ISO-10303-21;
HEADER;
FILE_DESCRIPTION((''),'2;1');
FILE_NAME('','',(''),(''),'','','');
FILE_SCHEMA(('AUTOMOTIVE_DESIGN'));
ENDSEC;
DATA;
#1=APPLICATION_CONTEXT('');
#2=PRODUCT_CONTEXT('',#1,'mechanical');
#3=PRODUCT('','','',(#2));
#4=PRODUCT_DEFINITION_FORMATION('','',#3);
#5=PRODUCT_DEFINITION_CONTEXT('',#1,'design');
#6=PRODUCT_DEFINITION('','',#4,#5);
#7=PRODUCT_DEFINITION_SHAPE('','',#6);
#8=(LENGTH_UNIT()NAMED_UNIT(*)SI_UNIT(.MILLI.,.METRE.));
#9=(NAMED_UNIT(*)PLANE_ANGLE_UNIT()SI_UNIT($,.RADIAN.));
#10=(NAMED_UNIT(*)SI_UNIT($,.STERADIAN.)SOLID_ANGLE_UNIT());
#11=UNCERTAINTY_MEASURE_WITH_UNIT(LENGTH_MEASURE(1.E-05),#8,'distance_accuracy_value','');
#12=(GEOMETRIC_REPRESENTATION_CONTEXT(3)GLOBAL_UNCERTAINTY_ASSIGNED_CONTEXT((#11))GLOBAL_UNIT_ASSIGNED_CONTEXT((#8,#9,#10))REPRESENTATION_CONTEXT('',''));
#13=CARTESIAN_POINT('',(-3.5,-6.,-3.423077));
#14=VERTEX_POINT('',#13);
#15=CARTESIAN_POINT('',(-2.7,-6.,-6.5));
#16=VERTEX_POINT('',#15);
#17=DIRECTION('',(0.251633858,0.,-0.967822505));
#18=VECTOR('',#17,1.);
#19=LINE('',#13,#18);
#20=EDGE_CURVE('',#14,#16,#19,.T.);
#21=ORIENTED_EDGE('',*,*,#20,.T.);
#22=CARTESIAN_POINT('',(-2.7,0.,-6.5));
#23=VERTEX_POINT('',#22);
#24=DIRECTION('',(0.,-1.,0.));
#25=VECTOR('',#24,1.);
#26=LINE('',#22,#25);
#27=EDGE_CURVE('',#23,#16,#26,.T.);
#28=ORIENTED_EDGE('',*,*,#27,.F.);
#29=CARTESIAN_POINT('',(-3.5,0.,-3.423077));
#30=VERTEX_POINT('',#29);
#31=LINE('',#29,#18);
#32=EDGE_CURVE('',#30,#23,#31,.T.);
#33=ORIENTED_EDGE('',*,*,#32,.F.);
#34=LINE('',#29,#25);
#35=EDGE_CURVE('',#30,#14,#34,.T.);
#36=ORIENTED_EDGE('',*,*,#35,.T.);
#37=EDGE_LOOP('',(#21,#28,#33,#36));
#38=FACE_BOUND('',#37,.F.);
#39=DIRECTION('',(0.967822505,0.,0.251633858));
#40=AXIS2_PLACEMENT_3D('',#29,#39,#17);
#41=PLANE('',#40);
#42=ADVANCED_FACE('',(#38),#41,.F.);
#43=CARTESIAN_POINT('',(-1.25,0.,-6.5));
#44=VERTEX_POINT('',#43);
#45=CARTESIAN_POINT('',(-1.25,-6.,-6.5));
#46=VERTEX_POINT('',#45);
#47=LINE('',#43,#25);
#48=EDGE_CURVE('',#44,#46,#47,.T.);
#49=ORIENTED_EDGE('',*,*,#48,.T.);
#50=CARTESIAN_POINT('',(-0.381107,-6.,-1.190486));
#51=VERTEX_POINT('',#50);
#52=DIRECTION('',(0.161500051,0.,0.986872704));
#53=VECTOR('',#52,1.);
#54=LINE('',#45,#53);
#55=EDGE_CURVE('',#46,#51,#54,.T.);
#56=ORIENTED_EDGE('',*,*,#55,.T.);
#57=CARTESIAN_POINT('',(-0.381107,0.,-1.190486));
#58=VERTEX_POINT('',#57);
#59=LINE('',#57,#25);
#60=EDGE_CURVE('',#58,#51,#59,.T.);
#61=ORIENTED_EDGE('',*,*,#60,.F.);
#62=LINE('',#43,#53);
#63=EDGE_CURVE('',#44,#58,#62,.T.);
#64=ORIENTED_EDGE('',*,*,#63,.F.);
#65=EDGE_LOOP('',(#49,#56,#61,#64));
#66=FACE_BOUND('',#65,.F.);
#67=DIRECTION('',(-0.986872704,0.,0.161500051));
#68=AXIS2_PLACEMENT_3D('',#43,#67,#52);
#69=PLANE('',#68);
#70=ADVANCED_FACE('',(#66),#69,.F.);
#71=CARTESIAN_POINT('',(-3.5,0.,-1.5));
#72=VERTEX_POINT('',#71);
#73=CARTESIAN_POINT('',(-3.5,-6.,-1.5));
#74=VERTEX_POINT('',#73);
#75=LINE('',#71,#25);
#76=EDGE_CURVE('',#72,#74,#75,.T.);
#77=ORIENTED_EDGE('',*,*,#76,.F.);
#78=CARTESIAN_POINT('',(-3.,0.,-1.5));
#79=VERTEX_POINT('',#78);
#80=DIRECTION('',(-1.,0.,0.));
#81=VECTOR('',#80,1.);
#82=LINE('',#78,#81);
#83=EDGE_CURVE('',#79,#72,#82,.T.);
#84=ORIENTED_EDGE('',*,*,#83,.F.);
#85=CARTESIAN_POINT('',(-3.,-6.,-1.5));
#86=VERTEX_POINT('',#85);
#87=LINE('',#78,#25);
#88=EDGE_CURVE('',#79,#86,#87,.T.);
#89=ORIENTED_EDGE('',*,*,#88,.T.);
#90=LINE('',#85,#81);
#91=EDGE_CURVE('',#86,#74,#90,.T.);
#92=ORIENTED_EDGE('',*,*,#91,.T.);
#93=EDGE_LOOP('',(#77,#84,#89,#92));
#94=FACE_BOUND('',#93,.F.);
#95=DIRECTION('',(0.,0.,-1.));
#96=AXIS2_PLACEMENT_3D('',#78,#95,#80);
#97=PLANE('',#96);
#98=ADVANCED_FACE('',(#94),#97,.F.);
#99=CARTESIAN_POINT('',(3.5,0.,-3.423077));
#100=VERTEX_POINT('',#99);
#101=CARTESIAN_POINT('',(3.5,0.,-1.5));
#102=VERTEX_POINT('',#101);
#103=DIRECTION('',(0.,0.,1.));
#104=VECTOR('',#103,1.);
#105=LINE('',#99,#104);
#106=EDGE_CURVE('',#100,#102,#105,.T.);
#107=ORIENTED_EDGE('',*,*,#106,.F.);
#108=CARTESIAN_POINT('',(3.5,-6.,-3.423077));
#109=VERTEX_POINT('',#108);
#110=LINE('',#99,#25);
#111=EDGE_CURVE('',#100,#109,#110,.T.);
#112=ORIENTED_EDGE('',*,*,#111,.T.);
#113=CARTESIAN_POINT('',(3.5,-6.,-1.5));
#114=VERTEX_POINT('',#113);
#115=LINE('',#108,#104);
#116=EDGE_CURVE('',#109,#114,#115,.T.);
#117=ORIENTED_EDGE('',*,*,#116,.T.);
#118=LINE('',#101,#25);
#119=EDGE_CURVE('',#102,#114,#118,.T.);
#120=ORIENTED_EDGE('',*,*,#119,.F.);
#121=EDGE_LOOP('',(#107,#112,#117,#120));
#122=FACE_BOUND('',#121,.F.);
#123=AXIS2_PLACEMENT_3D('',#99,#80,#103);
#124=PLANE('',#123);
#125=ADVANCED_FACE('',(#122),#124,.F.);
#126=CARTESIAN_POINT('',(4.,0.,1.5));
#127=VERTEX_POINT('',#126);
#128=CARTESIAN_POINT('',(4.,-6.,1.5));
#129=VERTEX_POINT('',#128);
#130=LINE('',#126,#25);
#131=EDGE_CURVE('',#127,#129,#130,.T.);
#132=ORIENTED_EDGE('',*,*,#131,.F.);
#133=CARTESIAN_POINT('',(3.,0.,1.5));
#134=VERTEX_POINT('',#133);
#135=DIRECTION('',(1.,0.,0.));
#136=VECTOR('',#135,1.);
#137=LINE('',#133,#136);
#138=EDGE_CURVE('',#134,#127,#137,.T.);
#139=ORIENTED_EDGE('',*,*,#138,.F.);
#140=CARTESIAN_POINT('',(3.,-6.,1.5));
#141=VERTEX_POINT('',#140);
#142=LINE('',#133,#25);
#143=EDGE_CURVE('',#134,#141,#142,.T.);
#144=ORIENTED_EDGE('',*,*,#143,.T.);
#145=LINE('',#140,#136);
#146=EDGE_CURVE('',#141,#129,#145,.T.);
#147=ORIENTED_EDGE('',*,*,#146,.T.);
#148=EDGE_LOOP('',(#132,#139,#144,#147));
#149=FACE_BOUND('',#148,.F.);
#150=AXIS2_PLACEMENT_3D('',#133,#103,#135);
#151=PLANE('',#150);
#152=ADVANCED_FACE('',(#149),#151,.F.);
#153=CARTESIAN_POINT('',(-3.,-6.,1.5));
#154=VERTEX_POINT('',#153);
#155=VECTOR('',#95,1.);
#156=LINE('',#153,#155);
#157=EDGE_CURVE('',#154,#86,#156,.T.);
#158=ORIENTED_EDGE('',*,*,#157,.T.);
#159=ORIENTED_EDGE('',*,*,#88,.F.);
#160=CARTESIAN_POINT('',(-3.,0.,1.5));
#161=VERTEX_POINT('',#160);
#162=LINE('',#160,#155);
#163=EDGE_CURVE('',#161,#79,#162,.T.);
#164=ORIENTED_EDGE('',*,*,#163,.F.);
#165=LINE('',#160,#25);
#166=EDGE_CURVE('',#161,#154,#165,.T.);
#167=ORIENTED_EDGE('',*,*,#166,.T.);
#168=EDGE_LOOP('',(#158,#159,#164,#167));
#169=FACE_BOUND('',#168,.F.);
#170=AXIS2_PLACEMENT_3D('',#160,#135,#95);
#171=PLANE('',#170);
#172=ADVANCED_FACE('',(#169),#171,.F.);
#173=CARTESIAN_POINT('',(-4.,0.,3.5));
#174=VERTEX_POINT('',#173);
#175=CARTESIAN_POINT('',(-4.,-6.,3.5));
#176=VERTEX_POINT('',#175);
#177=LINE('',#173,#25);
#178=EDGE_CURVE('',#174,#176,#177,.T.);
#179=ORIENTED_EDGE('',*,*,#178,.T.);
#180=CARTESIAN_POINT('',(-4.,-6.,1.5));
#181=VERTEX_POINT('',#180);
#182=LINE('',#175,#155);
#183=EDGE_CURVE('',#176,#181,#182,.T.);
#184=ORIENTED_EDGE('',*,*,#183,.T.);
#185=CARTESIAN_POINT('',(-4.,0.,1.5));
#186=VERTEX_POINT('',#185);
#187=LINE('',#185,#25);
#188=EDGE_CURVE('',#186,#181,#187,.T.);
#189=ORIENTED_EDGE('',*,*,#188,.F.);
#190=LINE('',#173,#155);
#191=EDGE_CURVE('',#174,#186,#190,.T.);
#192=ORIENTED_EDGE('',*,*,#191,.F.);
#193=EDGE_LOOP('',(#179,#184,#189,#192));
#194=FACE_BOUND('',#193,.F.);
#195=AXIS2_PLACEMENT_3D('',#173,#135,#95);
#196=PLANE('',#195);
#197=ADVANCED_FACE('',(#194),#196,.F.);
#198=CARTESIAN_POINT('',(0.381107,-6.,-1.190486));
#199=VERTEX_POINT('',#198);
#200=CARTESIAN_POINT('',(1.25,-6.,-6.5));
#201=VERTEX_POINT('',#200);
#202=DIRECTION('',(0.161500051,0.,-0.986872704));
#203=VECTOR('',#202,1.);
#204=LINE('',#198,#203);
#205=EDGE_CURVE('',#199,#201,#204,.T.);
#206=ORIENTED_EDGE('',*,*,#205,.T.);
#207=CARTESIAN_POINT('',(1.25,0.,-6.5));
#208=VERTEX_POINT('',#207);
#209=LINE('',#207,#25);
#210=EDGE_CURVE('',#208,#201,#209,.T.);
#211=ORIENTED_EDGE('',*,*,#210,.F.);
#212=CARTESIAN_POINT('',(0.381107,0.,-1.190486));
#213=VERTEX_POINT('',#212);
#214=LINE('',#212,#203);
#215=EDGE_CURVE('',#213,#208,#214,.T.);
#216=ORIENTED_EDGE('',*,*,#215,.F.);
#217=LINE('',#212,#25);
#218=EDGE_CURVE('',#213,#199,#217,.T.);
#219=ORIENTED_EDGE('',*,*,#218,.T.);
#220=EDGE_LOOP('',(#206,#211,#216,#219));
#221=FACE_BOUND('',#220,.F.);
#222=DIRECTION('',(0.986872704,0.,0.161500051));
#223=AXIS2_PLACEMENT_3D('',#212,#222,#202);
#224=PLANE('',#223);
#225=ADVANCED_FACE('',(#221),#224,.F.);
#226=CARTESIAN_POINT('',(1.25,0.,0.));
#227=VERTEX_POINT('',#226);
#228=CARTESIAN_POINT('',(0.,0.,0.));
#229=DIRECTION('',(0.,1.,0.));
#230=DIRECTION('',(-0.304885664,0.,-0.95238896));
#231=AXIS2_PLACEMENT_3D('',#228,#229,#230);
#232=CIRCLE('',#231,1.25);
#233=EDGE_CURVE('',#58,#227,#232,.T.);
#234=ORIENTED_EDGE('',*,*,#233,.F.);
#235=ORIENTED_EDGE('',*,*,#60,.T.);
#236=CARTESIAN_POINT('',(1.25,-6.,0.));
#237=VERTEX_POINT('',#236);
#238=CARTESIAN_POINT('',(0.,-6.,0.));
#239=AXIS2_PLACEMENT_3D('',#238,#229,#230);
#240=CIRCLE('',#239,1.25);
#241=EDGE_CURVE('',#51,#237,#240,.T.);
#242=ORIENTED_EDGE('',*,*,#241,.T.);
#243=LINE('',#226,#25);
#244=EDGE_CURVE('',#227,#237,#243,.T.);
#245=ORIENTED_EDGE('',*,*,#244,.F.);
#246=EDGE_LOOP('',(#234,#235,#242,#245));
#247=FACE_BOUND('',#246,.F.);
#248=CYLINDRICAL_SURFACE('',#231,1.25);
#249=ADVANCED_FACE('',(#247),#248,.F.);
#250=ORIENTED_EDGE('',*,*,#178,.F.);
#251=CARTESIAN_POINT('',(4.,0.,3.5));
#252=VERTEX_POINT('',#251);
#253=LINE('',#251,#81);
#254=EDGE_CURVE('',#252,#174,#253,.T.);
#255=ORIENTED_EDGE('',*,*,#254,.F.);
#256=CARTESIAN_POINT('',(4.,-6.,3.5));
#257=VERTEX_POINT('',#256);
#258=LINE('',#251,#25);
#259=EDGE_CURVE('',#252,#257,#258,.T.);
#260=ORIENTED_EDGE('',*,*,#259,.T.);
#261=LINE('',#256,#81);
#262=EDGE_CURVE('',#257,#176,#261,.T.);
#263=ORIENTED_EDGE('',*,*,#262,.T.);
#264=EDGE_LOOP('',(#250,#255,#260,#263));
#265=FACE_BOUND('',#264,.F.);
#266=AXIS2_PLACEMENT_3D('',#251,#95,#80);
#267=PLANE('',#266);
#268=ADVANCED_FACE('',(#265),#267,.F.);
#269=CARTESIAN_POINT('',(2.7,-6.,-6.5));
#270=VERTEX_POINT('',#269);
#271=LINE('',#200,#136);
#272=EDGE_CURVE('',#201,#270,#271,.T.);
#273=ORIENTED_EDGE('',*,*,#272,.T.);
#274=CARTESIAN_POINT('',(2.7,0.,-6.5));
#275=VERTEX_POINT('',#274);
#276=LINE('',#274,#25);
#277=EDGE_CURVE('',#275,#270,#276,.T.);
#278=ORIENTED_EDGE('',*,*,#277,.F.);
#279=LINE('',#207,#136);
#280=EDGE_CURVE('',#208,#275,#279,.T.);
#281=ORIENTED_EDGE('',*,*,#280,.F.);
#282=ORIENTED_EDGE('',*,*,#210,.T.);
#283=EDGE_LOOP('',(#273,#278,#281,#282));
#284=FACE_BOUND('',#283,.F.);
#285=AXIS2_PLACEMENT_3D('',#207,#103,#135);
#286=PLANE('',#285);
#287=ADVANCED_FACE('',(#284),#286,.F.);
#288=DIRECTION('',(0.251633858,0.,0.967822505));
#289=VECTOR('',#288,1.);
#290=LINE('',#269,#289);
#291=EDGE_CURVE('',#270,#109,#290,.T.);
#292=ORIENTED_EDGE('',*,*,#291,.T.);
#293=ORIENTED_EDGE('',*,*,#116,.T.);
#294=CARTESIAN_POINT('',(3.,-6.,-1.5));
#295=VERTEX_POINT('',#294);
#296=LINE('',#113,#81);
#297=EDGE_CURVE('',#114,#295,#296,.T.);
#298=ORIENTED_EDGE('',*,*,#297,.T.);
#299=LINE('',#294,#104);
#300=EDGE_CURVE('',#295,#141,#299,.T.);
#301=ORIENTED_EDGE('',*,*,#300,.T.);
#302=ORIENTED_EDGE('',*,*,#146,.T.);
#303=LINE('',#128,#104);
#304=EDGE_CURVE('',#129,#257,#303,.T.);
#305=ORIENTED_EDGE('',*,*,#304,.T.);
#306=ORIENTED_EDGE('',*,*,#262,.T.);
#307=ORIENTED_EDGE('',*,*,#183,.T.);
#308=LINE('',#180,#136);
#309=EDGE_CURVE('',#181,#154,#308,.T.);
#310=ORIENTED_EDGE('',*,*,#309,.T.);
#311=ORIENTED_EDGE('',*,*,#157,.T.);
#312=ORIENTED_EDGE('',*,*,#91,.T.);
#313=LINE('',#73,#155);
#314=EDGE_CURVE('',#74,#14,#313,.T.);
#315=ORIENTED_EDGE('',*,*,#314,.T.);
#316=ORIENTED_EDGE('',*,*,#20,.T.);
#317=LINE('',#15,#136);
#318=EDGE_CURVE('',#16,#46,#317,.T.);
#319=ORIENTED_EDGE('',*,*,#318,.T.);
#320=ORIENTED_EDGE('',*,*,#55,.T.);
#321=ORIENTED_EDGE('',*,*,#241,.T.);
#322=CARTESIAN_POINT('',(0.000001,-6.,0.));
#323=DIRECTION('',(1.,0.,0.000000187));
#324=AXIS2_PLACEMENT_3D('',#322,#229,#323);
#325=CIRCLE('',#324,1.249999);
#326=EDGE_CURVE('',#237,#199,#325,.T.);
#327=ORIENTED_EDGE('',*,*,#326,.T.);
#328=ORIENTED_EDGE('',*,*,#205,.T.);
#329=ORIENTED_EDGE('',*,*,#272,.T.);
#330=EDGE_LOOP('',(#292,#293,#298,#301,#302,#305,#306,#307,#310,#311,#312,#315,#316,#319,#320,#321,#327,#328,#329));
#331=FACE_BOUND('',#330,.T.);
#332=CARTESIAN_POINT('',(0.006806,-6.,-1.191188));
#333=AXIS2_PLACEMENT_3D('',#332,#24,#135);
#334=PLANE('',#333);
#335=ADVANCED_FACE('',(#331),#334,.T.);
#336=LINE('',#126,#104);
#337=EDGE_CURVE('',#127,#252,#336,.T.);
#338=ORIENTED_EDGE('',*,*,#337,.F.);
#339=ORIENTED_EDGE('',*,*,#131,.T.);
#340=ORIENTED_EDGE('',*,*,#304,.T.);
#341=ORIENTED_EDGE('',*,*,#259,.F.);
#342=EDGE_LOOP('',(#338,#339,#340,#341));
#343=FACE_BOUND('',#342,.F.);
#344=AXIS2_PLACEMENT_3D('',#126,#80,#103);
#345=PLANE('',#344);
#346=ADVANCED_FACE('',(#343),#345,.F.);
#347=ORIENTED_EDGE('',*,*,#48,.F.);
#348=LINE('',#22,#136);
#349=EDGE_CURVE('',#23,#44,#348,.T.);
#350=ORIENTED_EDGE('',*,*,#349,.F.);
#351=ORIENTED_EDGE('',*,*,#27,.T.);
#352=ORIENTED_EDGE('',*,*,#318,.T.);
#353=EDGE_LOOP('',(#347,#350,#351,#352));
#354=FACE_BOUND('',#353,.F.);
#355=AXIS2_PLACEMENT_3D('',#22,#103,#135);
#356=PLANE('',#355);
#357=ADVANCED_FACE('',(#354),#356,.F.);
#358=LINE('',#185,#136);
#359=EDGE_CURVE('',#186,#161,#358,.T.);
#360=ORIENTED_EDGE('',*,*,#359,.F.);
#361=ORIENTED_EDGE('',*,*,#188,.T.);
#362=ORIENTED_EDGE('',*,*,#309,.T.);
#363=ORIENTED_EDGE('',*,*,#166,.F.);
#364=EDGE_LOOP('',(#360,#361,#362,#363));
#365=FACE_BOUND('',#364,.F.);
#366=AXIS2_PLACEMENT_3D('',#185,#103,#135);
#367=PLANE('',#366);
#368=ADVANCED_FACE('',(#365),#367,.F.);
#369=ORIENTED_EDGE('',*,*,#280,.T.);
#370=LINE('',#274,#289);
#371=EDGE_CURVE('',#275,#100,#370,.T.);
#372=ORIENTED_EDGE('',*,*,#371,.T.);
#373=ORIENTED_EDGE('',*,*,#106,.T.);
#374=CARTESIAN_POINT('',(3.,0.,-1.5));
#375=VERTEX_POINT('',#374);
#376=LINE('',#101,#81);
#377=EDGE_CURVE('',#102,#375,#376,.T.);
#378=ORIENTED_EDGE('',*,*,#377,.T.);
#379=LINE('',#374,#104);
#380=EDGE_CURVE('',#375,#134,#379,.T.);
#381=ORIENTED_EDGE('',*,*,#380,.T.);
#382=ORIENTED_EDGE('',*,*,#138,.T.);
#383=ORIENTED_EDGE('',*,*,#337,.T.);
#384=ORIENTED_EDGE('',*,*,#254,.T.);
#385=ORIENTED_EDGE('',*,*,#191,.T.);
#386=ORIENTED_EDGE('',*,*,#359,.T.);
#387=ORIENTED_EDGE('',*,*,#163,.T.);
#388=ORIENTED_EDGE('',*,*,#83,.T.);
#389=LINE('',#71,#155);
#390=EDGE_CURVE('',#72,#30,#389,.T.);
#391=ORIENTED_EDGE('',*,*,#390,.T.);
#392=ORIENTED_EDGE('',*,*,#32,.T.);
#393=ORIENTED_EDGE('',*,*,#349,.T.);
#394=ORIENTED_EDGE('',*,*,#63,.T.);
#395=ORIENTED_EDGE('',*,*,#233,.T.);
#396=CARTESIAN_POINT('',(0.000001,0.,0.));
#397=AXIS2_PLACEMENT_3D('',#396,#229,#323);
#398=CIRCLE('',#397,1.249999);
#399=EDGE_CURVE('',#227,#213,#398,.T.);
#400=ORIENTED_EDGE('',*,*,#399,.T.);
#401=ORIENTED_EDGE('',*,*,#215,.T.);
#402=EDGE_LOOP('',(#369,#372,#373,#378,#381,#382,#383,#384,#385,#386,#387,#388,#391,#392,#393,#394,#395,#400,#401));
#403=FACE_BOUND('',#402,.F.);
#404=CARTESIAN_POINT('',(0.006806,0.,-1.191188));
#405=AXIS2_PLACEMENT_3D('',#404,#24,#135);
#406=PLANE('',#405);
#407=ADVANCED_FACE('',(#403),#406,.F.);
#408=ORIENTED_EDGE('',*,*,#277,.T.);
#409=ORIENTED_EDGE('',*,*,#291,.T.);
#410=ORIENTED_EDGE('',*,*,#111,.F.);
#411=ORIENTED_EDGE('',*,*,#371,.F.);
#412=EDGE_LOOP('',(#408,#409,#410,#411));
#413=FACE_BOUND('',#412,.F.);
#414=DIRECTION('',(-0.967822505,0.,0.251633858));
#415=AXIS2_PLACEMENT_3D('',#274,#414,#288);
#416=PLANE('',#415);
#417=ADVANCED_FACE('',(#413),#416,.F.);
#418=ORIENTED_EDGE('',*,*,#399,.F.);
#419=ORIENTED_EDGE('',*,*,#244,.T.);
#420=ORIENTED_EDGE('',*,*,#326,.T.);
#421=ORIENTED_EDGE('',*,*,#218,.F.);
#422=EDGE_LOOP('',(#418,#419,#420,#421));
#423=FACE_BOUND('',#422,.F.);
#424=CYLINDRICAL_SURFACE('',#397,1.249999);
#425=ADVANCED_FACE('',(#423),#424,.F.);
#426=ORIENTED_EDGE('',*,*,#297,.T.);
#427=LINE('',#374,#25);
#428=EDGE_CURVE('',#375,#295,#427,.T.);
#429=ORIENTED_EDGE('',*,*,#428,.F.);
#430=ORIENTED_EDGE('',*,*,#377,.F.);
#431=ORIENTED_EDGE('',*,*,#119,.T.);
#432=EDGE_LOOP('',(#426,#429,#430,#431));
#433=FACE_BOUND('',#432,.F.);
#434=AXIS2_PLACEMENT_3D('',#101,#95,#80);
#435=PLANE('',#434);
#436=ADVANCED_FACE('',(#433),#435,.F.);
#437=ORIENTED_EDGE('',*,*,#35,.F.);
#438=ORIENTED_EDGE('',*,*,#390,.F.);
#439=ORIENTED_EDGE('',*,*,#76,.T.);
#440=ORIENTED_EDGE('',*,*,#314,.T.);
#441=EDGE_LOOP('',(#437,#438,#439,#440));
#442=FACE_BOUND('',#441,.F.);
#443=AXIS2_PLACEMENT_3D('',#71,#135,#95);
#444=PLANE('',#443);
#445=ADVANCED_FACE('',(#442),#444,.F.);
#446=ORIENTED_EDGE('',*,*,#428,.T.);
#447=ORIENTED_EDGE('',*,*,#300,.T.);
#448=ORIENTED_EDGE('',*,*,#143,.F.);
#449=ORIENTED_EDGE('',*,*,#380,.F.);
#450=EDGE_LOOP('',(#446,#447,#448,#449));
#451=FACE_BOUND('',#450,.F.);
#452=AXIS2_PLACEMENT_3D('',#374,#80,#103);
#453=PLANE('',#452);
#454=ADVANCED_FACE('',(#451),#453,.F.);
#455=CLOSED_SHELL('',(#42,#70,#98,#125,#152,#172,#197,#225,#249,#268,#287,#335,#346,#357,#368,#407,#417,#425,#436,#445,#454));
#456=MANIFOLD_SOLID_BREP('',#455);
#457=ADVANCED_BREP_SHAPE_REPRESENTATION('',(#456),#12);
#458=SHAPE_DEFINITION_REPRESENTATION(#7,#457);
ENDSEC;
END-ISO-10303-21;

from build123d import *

# Parameters (mm, degrees)
F1_DEPTH = 6


with BuildPart() as f1:
    # F0 (on Front) → F1 (new body)
    with BuildSketch(Plane.XZ):
        with BuildLine():
            Line((4, 3.5), (-4, 3.5))
            Line((-4, 3.5), (-4, 1.5))
            Line((-4, 1.5), (-3, 1.5))
            Line((-3, 1.5), (-3, -1.5))
            Line((-3, -1.5), (-3.5, -1.5))
            Line((-3.5, -1.5), (-3.5, -3.423077))
            Line((-3.5, -3.423077), (-2.7, -6.5))
            Line((-2.7, -6.5), (-1.25, -6.5))
            Line((-1.25, -6.5), (-0.381107, -1.190486))
            ThreePointArc((-0.381107, -1.190486), (-0.736925, 1.009674), (1.25, 0))
            ThreePointArc((1.25, 0), (1.009674, -0.736925), (0.381107, -1.190486))
            Line((0.381107, -1.190486), (1.25, -6.5))
            Line((1.25, -6.5), (2.7, -6.5))
            Line((2.7, -6.5), (3.5, -3.423077))
            Line((3.5, -3.423077), (3.5, -1.5))
            Line((3.5, -1.5), (3, -1.5))
            Line((3, -1.5), (3, 1.5))
            Line((3, 1.5), (4, 1.5))
            Line((4, 1.5), (4, 3.5))
        make_face()
    extrude(amount=F1_DEPTH)


solid = f1.part
